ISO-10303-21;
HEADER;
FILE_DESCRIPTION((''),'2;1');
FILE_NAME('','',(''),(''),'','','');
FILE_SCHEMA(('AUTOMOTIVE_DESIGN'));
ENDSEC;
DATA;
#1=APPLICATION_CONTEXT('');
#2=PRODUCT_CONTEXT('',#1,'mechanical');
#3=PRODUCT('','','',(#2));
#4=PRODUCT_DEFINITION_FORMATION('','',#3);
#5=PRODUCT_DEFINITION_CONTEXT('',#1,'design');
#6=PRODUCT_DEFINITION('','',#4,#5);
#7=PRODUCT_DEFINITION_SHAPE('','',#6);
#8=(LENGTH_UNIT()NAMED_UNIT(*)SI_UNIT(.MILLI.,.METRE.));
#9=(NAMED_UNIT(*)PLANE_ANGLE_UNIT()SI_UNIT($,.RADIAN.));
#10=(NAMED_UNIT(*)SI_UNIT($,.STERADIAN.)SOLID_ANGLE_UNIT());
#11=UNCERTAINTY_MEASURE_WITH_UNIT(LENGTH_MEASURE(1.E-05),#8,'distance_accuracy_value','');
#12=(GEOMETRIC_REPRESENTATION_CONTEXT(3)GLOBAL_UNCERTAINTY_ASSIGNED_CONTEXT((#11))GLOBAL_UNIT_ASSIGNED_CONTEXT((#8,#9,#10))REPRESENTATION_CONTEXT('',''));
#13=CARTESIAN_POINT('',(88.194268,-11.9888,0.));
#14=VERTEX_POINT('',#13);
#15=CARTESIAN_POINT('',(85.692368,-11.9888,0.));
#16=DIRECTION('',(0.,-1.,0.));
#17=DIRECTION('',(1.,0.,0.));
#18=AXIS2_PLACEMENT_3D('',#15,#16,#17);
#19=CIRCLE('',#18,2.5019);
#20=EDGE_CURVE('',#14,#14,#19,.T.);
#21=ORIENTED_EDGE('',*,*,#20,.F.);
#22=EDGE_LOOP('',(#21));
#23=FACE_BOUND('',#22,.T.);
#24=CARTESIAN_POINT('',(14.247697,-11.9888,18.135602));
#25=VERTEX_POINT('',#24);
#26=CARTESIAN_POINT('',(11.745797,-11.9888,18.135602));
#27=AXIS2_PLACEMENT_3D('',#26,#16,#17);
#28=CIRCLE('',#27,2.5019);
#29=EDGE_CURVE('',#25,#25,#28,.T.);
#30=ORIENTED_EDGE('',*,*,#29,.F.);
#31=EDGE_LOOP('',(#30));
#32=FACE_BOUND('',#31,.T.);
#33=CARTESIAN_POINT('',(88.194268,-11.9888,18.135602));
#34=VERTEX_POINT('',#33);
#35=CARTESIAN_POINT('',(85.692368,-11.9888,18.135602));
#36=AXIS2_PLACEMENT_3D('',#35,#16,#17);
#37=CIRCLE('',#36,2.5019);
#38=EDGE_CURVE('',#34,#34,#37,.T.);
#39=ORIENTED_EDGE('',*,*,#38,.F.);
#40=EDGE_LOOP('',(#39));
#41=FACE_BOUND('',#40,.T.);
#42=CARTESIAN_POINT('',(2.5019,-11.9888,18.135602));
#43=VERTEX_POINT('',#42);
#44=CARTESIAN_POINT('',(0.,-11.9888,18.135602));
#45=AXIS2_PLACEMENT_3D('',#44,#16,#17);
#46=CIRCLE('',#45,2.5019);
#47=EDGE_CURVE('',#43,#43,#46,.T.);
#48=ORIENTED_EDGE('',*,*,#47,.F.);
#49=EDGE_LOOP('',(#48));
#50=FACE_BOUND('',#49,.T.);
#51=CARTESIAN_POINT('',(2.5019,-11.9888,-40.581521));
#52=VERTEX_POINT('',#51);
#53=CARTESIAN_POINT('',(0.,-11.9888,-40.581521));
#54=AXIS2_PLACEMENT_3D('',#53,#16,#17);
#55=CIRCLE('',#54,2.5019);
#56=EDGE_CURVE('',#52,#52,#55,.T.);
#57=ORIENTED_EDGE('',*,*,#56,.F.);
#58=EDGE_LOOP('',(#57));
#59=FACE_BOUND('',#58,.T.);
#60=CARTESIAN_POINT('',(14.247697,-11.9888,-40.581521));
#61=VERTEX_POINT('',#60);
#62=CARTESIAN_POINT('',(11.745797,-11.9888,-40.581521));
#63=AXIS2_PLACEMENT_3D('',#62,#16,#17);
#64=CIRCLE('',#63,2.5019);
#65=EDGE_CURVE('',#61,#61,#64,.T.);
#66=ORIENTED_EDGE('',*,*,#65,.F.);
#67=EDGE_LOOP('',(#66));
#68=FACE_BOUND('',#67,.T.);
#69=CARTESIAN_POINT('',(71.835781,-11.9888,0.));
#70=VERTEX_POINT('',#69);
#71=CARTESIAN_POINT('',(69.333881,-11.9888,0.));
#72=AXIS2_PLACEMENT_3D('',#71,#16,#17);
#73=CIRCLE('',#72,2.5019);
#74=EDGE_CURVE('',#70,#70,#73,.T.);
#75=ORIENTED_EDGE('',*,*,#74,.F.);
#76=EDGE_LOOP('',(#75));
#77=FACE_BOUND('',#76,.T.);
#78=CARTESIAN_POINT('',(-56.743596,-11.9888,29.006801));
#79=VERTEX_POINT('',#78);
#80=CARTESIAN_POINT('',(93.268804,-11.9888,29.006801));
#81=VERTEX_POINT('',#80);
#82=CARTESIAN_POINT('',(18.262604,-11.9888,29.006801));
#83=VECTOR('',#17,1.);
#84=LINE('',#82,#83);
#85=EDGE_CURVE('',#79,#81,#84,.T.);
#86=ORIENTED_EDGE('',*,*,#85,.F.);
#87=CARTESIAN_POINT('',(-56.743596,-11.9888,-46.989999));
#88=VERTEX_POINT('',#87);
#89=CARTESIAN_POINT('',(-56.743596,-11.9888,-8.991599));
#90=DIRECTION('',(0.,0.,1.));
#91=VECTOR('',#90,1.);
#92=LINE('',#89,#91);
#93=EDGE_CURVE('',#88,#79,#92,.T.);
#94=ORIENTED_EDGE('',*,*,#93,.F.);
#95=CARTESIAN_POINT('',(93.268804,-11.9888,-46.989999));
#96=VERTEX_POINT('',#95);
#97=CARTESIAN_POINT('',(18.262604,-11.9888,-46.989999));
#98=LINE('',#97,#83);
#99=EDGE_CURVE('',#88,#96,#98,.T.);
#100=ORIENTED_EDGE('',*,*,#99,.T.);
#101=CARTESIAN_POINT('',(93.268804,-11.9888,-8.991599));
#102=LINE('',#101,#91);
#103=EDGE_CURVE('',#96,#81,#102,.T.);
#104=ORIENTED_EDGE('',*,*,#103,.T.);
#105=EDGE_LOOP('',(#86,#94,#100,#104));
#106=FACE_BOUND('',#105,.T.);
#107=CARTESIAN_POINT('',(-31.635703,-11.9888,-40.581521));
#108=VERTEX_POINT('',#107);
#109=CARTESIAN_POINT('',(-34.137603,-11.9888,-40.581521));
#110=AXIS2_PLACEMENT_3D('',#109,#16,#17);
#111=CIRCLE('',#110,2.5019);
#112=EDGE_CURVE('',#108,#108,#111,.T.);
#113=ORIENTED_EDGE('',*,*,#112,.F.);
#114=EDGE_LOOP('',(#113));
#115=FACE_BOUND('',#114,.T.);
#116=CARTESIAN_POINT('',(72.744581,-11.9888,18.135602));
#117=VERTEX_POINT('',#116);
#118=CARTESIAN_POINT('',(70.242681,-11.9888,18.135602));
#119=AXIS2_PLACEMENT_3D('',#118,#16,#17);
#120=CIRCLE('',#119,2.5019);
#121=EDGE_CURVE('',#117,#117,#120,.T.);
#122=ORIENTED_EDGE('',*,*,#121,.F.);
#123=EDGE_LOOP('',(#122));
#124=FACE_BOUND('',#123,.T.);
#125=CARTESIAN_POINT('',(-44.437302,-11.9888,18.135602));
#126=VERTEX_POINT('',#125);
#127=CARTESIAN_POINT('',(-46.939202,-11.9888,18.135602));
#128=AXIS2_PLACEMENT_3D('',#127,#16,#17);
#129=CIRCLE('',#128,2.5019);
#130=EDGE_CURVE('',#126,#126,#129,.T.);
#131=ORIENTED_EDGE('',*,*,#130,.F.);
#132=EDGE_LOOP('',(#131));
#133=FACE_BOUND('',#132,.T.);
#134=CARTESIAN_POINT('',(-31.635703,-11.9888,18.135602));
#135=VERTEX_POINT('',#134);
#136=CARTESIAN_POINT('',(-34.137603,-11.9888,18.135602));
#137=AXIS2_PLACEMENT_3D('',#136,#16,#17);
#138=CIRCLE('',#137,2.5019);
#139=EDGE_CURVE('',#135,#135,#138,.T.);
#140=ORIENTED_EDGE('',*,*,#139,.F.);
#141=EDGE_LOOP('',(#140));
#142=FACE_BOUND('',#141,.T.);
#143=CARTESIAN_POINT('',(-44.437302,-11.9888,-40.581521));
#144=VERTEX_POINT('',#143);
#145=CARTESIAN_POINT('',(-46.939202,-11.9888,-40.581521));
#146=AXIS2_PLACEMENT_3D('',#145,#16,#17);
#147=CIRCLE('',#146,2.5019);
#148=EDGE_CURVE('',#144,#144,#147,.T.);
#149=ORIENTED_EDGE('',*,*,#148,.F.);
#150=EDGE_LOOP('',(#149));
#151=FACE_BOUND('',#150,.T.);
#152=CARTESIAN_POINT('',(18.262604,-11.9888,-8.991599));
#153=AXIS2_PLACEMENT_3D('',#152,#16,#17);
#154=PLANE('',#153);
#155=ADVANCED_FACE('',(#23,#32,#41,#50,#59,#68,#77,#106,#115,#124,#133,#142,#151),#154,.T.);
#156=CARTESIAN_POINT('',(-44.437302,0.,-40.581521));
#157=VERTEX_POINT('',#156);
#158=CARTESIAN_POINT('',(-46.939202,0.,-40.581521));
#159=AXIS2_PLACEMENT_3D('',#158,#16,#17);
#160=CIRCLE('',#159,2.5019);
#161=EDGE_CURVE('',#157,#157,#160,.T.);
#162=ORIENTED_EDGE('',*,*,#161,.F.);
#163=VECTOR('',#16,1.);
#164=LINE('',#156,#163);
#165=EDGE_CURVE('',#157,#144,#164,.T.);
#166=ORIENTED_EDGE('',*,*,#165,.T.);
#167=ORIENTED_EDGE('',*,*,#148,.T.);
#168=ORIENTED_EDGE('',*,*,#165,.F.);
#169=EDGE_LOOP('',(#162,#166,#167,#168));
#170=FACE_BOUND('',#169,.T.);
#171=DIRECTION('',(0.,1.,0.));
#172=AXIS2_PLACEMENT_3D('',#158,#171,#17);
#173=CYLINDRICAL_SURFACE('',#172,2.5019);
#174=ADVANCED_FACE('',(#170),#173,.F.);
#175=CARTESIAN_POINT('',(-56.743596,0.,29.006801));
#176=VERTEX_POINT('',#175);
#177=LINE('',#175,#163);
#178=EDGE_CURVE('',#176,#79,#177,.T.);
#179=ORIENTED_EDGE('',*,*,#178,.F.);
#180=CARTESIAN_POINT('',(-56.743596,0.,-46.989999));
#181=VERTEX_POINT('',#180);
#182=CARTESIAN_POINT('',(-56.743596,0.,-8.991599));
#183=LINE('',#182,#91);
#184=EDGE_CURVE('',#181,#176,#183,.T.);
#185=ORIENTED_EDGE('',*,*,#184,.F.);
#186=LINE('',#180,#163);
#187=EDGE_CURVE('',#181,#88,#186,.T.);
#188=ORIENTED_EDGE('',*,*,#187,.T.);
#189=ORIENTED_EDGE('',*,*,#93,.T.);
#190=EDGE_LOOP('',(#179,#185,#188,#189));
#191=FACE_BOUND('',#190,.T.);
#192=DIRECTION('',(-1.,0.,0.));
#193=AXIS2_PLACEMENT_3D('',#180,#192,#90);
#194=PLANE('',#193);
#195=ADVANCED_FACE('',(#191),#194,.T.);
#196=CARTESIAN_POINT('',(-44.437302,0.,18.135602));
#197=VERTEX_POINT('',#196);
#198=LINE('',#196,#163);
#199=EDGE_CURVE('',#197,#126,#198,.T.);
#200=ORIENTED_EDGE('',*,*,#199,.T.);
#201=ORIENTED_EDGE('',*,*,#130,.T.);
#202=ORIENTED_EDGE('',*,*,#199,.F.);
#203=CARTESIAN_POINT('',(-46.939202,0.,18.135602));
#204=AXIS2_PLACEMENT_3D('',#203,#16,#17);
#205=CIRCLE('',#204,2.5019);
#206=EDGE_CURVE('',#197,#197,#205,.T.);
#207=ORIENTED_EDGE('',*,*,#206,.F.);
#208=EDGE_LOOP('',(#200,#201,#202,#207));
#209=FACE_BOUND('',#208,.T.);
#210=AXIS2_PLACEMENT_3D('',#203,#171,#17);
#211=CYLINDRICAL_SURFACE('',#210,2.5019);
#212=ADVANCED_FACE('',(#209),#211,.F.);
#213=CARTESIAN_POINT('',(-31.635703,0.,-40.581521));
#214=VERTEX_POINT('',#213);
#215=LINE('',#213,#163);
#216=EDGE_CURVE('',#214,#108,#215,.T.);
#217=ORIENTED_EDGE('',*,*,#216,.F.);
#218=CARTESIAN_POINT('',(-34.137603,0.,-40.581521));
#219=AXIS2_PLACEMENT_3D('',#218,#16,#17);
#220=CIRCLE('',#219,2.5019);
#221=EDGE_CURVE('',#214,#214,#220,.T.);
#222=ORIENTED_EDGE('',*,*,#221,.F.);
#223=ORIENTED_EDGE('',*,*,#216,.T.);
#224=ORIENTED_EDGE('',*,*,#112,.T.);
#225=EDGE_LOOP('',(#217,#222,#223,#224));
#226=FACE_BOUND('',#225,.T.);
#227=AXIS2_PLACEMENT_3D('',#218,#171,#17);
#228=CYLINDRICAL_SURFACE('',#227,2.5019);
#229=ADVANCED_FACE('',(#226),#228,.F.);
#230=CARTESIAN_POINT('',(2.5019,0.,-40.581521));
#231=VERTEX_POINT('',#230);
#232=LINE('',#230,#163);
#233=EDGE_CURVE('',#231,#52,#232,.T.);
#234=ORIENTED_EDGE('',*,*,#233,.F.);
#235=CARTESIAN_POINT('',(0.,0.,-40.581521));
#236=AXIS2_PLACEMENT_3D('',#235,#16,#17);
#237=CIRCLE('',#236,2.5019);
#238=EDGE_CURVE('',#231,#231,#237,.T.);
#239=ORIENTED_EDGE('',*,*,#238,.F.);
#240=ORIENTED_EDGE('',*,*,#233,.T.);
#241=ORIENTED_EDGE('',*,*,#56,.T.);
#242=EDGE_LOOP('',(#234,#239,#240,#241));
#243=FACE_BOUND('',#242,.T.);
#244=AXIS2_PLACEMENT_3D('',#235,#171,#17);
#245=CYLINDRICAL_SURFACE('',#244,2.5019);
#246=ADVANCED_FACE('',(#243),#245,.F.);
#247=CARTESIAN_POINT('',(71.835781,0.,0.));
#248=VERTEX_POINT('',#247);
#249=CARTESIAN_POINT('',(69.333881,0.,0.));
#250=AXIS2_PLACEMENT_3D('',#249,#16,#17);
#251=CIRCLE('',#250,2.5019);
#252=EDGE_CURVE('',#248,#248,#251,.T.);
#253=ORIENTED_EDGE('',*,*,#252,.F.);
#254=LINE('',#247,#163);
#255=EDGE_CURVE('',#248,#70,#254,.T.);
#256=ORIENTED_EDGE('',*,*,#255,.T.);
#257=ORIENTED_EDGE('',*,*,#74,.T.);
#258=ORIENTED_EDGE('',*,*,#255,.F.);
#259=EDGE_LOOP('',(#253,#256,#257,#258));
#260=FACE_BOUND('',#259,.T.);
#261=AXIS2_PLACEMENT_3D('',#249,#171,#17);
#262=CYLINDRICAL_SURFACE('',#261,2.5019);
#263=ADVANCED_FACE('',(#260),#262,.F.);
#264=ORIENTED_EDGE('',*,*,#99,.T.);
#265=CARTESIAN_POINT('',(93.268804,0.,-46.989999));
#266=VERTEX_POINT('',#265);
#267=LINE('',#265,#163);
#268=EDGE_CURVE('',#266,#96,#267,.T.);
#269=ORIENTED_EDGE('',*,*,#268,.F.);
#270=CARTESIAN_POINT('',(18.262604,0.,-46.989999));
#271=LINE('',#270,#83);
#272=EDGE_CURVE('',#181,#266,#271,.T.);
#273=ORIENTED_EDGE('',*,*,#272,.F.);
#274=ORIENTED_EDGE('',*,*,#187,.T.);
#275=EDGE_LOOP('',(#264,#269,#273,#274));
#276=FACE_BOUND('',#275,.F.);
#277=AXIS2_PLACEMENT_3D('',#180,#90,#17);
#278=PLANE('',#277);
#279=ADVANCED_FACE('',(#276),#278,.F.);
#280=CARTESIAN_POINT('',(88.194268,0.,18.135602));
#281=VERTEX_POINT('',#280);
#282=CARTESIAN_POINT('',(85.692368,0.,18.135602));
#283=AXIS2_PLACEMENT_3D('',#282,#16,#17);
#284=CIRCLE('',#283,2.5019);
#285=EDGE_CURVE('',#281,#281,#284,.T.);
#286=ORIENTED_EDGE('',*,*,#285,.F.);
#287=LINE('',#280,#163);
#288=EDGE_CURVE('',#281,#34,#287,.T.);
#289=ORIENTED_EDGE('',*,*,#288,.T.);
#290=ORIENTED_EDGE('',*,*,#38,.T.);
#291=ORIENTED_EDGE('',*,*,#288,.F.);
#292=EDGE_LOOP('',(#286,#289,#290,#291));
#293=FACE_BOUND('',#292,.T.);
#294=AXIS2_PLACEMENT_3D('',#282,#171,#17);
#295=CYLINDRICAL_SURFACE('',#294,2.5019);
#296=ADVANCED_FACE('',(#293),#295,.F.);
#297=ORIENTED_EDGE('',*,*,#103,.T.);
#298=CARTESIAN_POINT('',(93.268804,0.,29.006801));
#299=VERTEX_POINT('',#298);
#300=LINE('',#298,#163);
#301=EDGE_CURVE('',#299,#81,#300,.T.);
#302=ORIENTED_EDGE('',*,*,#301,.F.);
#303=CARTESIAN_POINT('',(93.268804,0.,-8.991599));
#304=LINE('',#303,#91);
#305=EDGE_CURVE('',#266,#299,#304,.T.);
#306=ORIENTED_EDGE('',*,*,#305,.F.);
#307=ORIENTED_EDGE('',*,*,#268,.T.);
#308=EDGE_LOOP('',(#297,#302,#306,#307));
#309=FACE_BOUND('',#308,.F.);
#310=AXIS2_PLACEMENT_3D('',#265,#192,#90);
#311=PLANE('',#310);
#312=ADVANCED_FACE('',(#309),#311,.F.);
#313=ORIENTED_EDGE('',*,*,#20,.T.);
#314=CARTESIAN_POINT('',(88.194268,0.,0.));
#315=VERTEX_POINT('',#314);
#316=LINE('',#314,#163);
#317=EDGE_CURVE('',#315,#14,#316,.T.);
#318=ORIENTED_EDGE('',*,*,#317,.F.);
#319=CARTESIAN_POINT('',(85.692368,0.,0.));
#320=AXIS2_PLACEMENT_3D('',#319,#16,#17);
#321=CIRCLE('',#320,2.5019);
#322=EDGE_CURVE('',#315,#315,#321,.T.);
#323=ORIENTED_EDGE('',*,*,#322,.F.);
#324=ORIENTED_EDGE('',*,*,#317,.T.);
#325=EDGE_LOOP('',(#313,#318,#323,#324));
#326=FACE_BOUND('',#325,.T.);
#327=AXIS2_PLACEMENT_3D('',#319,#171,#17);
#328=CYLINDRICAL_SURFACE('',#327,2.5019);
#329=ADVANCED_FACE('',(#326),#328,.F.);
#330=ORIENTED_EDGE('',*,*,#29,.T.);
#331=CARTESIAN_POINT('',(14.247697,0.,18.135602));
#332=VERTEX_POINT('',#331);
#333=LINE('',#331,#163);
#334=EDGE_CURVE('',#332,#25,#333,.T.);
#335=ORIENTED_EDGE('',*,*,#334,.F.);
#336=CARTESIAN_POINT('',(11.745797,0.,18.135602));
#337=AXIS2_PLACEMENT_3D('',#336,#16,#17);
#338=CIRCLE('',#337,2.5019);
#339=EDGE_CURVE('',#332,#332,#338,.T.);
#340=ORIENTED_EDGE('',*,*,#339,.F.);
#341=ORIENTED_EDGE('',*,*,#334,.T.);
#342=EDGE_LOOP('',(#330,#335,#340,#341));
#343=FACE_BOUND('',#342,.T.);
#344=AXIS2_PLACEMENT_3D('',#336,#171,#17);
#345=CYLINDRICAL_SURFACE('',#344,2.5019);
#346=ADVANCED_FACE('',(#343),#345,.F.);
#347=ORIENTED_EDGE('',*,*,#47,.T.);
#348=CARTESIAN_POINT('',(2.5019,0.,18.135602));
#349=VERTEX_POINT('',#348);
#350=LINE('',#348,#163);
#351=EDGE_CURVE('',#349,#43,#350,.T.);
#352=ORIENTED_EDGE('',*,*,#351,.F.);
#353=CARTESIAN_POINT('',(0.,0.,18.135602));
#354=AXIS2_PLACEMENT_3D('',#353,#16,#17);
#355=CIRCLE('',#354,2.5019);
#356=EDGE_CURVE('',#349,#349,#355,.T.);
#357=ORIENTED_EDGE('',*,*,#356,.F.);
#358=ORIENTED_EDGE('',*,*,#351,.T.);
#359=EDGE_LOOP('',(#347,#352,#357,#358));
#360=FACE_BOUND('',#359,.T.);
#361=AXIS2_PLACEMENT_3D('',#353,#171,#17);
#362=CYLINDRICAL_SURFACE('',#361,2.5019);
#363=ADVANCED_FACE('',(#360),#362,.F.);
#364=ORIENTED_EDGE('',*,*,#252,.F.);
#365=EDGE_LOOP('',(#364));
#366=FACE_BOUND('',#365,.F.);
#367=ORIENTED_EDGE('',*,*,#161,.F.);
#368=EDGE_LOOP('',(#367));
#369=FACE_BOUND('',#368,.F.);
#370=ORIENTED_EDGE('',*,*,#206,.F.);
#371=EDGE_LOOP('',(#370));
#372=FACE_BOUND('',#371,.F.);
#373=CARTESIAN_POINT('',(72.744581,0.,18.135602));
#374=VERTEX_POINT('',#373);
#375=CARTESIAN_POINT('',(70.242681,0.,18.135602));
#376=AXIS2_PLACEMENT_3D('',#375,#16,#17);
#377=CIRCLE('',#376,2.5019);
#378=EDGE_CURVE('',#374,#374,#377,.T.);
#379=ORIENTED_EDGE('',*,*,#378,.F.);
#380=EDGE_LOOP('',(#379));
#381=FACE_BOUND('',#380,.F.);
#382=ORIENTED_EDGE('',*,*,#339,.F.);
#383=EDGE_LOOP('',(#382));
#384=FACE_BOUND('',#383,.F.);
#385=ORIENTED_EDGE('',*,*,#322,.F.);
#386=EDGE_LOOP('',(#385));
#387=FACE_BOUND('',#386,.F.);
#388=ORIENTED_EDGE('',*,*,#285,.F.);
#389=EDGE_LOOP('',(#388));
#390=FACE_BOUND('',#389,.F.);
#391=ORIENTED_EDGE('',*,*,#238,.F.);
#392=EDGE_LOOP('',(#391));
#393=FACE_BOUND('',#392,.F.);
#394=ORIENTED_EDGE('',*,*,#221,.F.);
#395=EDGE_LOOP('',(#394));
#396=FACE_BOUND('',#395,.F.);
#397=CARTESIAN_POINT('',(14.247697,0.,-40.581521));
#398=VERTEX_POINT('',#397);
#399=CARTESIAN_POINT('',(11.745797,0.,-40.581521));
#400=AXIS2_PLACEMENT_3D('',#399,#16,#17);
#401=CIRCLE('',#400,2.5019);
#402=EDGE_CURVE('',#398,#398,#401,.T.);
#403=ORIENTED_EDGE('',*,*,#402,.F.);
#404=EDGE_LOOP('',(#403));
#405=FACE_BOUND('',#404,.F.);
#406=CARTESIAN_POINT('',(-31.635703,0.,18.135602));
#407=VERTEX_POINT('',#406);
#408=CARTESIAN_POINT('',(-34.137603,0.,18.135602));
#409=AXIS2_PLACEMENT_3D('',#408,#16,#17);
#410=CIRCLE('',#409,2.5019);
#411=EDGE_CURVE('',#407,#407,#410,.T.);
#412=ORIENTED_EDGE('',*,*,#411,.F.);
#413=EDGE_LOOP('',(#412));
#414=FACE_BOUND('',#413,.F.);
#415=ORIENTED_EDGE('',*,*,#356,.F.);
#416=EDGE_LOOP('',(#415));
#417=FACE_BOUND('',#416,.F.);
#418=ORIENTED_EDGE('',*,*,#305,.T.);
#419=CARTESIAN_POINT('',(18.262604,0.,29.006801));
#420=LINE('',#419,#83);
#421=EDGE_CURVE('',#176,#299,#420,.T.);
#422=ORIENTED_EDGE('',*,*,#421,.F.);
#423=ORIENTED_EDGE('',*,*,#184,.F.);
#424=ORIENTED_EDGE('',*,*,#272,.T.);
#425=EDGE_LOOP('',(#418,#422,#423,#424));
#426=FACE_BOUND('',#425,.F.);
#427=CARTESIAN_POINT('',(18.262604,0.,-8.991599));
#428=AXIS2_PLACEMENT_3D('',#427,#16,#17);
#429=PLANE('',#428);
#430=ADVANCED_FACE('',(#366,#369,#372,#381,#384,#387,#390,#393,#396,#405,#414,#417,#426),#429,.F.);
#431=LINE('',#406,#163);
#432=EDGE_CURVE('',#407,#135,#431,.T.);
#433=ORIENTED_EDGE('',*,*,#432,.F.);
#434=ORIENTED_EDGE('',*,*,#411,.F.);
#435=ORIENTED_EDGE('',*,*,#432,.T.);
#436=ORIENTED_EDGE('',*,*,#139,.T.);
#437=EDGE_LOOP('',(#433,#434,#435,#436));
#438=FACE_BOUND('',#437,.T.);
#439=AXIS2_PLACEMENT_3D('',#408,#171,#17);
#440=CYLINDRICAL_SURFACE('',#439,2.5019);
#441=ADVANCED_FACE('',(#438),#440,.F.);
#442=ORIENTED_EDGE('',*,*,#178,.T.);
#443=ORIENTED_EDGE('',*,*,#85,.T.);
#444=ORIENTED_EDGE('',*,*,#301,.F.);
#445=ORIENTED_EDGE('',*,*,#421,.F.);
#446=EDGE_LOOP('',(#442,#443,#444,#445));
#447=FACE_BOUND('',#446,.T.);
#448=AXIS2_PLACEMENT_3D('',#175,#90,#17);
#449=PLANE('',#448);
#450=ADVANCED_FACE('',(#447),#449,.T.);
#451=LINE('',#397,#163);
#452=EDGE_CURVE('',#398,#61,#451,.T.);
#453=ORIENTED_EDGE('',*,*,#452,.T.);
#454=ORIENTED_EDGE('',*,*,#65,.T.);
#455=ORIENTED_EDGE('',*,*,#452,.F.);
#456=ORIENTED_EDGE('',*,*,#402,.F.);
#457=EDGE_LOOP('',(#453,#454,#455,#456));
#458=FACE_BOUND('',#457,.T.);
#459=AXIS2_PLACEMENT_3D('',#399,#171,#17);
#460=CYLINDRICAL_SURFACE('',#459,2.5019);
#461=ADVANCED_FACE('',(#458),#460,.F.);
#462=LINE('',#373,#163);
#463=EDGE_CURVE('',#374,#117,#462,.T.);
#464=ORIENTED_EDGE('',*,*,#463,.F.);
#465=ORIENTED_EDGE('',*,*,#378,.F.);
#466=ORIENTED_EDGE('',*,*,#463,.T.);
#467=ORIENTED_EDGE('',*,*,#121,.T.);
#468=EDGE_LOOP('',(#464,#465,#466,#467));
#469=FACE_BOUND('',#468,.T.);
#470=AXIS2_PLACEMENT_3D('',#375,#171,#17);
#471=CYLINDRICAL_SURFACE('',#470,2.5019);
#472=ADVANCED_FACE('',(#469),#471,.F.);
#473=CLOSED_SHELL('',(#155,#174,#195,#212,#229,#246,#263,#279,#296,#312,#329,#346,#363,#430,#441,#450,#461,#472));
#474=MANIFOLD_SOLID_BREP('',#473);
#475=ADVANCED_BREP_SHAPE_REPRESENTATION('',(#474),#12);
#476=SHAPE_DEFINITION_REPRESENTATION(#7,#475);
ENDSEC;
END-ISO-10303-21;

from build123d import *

# Parameters (mm, degrees)
F0_W     = 150.0124
F0_H     = 75.9968
F0_R     = 2.5019
F1_DEPTH = 11.9888


with BuildPart() as f1:
    # F0 (on Front) → F1 (new body)
    with BuildSketch(Plane.XZ):
        with Locations((18.262604, -8.991599)):
            Rectangle(F0_W, F0_H)
        with Locations((-46.939202, -40.581521)):
            Circle(F0_R, mode=Mode.SUBTRACT)
        with Locations((-34.137603, -40.581521)):
            Circle(F0_R, mode=Mode.SUBTRACT)
        with Locations((0, -40.581521)):
            Circle(F0_R, mode=Mode.SUBTRACT)
        with Locations((11.745797, -40.581521)):
            Circle(F0_R, mode=Mode.SUBTRACT)
        with Locations((-46.939202, 18.135602)):
            Circle(F0_R, mode=Mode.SUBTRACT)
        with Locations((-34.137603, 18.135602)):
            Circle(F0_R, mode=Mode.SUBTRACT)
        with Locations((0, 18.135602)):
            Circle(F0_R, mode=Mode.SUBTRACT)
        with Locations((11.745797, 18.135602)):
            Circle(F0_R, mode=Mode.SUBTRACT)
        with Locations((69.333881, 0)):
            Circle(F0_R, mode=Mode.SUBTRACT)
        with Locations((85.692368, 0)):
            Circle(F0_R, mode=Mode.SUBTRACT)
        with Locations((70.242681, 18.135602)):
            Circle(F0_R, mode=Mode.SUBTRACT)
        with Locations((85.692368, 18.135602)):
            Circle(F0_R, mode=Mode.SUBTRACT)
    extrude(amount=F1_DEPTH)


solid = f1.part
